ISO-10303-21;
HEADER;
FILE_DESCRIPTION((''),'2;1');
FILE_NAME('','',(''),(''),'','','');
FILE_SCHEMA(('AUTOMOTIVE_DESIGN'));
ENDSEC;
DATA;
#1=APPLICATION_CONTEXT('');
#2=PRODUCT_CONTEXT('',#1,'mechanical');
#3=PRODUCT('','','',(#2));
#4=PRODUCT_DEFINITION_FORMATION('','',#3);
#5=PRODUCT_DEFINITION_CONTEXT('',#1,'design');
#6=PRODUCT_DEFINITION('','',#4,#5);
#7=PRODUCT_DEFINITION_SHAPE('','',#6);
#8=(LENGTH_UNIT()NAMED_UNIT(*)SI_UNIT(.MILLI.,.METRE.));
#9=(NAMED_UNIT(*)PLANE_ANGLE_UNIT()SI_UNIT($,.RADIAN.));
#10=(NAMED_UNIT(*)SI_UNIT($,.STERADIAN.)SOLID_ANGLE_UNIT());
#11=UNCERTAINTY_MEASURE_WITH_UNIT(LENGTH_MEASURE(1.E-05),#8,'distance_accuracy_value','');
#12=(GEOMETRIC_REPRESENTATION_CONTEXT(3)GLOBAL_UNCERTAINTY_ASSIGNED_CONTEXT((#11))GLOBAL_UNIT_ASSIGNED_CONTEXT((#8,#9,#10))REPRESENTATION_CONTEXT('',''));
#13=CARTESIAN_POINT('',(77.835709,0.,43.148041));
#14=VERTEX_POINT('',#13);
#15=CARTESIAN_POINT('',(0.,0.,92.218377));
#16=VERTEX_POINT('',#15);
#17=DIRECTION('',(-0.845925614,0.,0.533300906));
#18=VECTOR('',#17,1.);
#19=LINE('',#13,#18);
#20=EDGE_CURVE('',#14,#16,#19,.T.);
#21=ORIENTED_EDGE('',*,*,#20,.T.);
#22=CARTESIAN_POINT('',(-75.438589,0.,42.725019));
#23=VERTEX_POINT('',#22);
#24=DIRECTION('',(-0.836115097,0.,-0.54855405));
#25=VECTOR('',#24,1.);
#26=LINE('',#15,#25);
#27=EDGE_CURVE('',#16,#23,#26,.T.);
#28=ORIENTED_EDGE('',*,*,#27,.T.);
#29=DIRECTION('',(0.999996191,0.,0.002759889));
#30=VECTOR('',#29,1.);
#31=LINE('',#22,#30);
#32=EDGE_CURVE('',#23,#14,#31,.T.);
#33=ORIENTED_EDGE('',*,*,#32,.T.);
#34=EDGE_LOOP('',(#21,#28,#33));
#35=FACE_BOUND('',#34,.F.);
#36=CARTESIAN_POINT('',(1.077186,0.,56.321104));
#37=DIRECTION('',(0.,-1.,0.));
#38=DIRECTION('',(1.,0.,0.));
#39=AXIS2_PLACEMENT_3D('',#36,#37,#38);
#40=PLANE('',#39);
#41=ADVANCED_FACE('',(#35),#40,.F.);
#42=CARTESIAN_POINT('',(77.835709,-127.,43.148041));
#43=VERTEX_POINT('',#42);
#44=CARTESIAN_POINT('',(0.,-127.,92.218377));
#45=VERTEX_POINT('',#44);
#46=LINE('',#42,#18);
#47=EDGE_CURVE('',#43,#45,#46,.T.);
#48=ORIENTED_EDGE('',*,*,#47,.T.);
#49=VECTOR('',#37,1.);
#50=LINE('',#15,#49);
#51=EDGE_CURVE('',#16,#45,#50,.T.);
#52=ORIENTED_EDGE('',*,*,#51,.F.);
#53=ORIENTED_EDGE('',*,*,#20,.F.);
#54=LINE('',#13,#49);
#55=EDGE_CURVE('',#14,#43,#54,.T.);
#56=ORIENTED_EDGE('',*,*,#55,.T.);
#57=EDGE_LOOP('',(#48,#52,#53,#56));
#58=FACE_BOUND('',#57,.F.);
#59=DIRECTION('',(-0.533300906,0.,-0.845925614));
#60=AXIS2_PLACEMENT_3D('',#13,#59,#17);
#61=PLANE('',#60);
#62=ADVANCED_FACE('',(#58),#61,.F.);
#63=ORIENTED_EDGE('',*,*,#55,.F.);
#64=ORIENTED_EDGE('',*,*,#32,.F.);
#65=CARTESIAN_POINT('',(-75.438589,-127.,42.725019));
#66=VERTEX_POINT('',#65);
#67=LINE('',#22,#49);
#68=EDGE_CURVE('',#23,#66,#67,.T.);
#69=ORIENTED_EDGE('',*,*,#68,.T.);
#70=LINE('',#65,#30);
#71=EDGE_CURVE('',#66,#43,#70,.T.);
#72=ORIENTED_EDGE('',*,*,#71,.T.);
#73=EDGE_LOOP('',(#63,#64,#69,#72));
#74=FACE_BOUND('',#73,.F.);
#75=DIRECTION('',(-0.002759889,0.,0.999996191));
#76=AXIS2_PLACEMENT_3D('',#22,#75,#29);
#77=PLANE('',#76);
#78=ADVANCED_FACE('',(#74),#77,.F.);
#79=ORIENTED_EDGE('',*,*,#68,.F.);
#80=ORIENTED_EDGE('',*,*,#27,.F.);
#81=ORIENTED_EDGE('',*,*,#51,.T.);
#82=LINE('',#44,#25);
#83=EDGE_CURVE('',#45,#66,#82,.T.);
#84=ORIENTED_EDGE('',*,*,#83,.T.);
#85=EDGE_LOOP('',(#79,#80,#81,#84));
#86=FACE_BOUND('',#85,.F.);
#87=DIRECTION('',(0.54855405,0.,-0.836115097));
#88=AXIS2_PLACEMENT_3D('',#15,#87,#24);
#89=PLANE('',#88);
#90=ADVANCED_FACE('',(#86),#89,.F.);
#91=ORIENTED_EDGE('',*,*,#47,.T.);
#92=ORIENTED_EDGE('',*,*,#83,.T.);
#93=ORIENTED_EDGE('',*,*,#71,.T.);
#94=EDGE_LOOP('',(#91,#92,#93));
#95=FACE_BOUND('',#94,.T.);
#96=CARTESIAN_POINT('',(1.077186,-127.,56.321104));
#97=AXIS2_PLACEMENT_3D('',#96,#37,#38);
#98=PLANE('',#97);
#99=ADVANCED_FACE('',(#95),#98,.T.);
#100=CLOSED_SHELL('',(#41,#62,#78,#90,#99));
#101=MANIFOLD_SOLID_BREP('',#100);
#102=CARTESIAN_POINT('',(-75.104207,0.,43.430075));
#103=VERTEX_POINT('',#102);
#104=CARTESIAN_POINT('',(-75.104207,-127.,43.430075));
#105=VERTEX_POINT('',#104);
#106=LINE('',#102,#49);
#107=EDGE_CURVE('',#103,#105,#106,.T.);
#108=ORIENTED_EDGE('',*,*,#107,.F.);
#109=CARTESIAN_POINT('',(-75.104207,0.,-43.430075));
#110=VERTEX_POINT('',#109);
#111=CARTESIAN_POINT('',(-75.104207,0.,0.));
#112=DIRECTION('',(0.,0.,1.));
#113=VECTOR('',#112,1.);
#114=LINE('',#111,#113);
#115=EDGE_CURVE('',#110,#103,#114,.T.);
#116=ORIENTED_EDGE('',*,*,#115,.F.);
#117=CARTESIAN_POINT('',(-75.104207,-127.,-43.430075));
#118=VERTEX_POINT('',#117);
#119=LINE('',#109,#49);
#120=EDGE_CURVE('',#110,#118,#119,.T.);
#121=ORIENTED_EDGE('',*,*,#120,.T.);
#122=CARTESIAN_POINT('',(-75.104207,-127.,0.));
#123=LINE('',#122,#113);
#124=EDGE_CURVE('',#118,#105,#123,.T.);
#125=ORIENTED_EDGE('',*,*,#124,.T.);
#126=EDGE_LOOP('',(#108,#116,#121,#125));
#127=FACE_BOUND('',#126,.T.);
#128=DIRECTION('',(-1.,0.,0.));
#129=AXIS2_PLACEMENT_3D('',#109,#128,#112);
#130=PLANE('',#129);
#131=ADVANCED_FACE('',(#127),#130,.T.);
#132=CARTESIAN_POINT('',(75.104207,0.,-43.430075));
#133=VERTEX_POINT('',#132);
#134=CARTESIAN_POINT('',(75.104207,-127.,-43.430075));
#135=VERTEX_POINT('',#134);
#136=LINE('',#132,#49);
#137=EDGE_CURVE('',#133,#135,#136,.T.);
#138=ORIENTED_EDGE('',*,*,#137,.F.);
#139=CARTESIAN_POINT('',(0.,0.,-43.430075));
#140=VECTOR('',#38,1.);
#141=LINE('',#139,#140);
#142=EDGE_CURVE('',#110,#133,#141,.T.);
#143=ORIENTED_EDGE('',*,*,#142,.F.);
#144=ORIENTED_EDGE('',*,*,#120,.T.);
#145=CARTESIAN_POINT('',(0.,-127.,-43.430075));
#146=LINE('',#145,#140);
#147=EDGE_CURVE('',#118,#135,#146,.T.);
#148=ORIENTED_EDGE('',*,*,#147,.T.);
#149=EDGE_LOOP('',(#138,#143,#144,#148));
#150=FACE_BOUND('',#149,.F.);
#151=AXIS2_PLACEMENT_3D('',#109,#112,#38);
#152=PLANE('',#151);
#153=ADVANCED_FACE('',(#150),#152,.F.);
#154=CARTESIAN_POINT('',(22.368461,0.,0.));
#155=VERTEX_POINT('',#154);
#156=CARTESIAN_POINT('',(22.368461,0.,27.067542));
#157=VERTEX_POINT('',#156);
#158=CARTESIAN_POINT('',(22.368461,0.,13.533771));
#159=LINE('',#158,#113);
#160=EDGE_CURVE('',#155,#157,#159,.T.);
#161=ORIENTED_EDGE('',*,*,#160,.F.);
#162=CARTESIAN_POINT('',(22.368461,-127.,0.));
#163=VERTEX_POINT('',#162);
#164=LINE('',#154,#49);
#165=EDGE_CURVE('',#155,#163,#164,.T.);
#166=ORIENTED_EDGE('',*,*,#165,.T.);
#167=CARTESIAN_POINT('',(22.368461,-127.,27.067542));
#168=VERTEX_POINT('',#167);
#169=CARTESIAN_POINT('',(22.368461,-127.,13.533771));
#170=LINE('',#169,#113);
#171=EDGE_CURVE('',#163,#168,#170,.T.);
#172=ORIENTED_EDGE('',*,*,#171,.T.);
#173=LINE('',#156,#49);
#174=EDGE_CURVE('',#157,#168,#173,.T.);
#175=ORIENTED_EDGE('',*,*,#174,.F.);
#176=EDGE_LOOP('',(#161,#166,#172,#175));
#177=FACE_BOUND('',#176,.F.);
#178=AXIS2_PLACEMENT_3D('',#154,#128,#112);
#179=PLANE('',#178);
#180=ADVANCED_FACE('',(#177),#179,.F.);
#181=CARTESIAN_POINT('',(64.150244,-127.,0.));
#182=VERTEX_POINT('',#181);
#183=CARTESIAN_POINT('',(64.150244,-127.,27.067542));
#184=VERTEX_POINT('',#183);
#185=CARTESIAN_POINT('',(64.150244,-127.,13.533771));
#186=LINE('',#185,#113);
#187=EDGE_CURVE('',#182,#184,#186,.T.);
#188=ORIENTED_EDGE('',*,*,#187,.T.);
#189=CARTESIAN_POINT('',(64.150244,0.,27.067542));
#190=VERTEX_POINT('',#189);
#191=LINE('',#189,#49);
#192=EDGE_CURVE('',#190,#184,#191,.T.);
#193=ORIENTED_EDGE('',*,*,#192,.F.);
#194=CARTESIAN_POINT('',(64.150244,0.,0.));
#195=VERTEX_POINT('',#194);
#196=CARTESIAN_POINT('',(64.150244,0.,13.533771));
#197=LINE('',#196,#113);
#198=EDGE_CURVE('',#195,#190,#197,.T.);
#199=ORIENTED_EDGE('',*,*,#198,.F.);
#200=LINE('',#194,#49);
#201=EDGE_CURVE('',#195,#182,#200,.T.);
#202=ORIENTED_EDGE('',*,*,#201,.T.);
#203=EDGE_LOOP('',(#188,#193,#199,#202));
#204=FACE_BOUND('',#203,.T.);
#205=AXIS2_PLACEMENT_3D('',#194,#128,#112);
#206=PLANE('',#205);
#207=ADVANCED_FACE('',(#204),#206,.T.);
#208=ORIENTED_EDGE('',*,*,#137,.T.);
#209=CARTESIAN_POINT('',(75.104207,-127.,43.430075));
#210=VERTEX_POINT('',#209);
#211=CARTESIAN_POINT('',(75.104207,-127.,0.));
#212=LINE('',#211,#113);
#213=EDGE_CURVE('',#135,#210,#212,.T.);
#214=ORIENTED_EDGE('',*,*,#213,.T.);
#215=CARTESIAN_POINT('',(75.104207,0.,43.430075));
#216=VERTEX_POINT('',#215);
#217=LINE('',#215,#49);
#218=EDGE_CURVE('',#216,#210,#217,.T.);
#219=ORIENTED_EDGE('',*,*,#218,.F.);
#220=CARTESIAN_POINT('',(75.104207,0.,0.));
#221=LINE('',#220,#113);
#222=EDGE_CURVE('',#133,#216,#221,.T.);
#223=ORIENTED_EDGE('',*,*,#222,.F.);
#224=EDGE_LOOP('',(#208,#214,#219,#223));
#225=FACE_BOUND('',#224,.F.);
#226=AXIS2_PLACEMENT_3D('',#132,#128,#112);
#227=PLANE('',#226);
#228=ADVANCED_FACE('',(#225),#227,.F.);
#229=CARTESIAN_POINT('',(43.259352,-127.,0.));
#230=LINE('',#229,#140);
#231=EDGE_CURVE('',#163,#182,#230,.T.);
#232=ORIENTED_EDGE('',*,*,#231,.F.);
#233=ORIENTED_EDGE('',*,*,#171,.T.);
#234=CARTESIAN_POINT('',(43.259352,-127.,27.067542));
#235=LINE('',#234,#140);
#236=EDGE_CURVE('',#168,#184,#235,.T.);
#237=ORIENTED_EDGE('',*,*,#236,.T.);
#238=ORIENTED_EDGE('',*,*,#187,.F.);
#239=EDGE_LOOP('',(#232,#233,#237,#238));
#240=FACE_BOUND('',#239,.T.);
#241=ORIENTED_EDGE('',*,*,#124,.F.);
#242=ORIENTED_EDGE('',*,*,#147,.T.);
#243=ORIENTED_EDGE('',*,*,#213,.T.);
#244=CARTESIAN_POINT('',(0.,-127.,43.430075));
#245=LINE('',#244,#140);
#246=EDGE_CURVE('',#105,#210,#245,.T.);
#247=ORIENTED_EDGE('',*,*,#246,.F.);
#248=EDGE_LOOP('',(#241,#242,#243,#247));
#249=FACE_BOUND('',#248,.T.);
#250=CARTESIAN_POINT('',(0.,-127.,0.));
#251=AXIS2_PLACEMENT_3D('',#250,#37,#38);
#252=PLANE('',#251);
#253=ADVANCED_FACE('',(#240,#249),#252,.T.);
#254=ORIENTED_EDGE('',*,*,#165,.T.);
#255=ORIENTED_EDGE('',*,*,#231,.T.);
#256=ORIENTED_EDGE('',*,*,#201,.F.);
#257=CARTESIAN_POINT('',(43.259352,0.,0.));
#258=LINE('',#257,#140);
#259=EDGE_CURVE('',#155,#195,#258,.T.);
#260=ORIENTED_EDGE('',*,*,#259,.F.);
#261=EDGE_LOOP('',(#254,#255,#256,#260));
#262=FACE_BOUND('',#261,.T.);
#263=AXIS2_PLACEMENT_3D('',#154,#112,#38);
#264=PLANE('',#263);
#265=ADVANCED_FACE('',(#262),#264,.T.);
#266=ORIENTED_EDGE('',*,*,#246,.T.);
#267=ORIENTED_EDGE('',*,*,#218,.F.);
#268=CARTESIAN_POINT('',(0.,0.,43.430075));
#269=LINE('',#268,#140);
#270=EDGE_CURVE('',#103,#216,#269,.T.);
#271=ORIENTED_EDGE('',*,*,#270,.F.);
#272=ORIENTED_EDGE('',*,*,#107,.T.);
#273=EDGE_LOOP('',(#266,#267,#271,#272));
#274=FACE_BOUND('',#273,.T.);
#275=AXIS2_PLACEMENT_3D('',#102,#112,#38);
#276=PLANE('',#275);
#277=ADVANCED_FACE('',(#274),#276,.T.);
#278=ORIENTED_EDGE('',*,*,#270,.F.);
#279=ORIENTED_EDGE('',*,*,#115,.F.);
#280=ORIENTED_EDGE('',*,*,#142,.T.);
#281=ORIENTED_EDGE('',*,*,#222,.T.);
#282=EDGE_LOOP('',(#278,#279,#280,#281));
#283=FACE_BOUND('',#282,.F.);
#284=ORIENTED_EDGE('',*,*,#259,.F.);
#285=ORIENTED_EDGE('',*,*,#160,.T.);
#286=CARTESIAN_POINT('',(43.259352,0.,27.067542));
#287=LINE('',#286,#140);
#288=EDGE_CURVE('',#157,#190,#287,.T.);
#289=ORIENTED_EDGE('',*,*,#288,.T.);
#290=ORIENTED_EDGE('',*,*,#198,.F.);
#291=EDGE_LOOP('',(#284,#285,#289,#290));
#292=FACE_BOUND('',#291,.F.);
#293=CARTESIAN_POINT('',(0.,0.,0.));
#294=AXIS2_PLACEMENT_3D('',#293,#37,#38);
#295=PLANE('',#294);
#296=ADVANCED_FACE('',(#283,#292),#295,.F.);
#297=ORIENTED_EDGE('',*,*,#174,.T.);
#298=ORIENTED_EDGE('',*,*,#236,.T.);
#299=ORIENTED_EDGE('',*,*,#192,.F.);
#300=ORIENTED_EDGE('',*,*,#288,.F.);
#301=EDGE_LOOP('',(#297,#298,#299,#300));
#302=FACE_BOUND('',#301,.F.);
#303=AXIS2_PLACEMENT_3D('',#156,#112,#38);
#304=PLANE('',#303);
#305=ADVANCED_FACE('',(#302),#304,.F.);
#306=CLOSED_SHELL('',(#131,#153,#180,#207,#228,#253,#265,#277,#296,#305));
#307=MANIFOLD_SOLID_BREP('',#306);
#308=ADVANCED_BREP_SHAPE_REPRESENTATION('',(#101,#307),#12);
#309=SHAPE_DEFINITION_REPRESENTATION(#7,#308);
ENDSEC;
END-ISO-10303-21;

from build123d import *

# Parameters (mm, degrees)
F4_DEPTH = 127
F2_W     = 150.2084136009
F2_H     = 86.8601500988
F2_W_2   = 41.7817831039
F2_H_2   = 27.0675420761


with BuildPart() as f4:
    # F1 (on Front) → F4 (new body)
    with BuildSketch(Plane.XZ):
        Polygon((0, 92.2183766961), (-75.4385888577, 42.7250191569), (77.8357088566, 43.1480407715), align=None)
    extrude(amount=F4_DEPTH)


with BuildPart() as f4b:
    # F2 (on face) → F4, piece 2 (new body)
    with BuildSketch(Plane.XZ):
        Rectangle(F2_W, F2_H)
        with Locations((43.2593524456, 13.5337710381)):
            Rectangle(F2_W_2, F2_H_2, mode=Mode.SUBTRACT)
    extrude(amount=F4_DEPTH)


solid = Compound([f4.part, f4b.part])
